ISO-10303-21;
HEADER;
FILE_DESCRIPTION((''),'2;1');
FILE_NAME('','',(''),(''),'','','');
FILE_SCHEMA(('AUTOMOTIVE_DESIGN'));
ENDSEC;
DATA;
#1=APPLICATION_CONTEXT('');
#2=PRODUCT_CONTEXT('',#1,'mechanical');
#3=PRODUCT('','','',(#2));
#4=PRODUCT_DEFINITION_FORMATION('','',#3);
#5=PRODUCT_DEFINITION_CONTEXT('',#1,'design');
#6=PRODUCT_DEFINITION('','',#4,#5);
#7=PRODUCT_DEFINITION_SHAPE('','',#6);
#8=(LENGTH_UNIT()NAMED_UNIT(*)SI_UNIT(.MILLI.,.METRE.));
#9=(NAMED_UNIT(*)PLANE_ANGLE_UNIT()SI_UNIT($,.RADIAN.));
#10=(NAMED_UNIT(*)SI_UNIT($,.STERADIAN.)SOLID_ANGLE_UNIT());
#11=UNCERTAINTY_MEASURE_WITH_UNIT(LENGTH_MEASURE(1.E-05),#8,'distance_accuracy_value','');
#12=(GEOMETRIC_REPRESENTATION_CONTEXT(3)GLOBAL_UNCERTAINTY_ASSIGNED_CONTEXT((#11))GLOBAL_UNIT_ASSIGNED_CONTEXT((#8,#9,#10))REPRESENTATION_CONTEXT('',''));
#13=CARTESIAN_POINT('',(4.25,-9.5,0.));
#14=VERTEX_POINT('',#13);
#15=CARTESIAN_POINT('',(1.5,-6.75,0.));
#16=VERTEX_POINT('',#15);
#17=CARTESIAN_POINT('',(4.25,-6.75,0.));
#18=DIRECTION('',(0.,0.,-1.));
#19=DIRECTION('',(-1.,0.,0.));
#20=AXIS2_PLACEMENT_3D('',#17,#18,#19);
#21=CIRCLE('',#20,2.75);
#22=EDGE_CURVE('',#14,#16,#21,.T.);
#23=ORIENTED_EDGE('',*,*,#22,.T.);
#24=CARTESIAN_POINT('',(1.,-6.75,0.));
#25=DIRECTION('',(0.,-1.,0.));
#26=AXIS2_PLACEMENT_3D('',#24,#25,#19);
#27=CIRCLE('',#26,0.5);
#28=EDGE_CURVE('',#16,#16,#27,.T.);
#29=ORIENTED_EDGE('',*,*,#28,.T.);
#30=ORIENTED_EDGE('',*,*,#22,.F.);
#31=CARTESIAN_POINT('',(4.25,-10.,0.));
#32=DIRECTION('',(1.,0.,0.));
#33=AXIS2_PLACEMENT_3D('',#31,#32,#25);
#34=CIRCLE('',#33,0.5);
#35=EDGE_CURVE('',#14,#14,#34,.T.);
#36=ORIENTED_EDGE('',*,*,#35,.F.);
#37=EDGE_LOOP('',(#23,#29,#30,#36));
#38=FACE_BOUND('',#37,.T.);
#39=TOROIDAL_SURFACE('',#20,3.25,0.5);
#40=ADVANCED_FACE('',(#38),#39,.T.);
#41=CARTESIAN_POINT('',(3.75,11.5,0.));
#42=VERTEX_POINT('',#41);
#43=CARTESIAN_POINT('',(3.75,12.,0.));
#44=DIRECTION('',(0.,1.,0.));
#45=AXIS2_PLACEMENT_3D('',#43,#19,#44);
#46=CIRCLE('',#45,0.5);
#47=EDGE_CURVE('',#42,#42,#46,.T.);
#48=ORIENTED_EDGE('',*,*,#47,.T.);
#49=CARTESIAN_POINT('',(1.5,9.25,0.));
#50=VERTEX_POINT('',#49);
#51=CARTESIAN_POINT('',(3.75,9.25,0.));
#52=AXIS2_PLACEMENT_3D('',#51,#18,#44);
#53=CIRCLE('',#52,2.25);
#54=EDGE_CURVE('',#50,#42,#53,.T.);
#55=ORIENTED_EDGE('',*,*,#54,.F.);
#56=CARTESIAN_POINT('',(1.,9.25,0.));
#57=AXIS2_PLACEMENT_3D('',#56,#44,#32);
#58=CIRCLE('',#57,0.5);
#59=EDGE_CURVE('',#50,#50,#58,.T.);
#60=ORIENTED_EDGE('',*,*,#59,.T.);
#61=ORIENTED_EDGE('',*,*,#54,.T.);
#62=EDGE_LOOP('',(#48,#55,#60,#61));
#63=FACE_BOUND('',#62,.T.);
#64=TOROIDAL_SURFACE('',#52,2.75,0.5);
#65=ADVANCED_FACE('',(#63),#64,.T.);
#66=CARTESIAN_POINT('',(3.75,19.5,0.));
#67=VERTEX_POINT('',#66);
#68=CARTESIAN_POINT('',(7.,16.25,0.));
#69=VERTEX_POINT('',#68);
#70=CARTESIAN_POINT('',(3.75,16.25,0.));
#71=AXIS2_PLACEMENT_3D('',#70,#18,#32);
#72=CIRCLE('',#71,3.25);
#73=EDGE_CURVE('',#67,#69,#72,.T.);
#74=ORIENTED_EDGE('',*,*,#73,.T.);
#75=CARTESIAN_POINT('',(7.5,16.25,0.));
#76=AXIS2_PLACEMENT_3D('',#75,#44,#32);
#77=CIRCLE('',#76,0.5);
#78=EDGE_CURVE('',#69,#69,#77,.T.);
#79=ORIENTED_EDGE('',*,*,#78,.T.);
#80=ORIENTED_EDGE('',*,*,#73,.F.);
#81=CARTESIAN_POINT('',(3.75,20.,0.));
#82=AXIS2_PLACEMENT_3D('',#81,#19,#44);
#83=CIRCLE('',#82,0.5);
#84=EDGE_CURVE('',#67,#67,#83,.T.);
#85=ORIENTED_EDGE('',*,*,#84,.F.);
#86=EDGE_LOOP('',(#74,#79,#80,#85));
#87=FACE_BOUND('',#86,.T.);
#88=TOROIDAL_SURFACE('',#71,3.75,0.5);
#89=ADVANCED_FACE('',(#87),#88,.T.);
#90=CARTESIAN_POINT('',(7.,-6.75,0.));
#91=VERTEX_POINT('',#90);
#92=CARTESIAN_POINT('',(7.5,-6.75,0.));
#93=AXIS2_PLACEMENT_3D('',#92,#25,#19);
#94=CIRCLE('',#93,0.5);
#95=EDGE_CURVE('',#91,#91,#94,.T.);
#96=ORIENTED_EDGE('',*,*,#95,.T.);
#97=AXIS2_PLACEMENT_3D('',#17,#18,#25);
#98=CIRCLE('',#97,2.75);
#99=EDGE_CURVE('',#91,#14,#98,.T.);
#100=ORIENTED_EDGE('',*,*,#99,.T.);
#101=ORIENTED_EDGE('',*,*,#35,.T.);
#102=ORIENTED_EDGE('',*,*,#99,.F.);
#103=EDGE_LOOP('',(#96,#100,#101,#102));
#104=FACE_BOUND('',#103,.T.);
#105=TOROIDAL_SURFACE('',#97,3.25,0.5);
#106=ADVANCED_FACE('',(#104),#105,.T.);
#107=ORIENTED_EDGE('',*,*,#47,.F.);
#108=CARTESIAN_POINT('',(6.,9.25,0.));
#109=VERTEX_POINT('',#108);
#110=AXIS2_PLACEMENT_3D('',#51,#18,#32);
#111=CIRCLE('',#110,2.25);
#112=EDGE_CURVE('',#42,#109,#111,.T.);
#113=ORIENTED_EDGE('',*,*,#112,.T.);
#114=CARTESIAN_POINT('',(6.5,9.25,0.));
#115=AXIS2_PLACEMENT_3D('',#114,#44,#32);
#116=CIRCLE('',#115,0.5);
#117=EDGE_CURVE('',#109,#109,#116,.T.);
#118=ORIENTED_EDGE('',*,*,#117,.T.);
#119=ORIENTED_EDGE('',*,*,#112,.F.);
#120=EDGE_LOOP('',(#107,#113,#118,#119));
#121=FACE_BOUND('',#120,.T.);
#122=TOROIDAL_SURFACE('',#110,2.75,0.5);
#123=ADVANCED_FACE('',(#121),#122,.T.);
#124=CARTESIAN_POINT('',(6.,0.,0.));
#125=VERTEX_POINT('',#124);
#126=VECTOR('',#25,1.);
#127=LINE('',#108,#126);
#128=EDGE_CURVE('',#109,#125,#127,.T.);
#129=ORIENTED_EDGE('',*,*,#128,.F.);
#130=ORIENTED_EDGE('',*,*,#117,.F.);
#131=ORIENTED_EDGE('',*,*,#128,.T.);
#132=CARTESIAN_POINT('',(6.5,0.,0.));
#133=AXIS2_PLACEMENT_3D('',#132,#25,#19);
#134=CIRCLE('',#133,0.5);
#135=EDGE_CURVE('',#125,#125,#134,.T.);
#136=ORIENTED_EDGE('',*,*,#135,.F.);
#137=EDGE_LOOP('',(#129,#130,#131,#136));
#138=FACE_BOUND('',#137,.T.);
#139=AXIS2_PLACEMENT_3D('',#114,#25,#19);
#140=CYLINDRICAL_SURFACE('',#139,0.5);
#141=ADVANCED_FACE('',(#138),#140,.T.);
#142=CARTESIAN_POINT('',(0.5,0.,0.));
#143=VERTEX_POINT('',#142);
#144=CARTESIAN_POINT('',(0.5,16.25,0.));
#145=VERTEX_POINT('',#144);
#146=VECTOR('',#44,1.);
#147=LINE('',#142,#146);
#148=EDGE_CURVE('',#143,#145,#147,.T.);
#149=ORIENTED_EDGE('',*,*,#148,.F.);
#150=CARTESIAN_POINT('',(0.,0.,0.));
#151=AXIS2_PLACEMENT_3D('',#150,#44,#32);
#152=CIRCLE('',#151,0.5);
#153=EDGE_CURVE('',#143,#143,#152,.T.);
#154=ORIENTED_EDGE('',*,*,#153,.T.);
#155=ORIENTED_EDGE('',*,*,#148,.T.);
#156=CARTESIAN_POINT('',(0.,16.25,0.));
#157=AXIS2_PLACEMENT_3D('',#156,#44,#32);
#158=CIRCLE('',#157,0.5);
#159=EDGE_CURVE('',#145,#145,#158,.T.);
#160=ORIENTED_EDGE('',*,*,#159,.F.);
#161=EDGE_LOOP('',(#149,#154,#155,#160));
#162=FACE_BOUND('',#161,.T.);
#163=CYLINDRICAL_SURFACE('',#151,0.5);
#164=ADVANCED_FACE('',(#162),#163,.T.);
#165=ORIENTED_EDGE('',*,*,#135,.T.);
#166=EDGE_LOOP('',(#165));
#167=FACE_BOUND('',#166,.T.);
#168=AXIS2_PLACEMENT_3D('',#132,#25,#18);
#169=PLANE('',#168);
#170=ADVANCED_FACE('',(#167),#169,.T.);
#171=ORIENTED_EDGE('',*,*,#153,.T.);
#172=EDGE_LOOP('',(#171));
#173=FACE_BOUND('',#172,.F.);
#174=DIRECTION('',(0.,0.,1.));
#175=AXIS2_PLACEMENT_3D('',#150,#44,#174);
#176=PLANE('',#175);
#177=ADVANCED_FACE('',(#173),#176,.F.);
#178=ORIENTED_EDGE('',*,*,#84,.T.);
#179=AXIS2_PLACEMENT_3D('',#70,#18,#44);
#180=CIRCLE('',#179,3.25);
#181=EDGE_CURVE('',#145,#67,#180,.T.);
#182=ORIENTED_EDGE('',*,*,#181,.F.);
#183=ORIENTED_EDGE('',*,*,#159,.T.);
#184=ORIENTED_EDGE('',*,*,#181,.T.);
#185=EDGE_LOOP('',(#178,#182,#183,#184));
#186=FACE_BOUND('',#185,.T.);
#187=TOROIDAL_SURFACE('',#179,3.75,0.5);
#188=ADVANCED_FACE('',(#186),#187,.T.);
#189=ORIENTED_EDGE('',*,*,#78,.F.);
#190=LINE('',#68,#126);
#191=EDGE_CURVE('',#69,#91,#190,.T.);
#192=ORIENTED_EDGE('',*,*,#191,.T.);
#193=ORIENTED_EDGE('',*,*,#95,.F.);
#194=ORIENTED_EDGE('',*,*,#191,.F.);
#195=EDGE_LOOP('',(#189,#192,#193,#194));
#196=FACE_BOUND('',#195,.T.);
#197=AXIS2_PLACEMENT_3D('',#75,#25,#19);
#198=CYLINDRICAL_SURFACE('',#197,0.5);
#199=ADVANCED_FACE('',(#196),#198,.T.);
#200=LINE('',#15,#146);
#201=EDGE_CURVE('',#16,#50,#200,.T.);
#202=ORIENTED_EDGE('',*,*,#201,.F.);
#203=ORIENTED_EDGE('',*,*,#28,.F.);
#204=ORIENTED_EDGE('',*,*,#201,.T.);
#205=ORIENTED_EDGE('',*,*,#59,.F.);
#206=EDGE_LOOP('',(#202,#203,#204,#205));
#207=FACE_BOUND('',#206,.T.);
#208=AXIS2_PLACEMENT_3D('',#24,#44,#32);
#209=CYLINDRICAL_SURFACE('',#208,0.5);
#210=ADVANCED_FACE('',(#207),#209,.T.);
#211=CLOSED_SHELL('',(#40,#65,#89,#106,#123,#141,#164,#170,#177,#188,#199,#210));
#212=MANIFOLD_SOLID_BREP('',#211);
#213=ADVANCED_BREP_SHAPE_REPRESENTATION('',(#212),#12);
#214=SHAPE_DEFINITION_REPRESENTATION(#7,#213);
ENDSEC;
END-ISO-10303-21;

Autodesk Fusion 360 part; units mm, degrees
sketch "Sketch1" plane through (0, 0, 0) normal (0, 0, 1) x (1, 0, 0)
  line L0 (0, 0) -> (0, 16.25)
  line L1 (7.5, 16.25) -> (7.5, -6.75)
  line L2 (1, -6.75) -> (1, 9.25)
  arc A0 (3.75, 20) -> (0, 16.25) centre (3.75, 16.25) ccw
  arc A1 (7.5, 16.25) -> (3.75, 20) centre (3.75, 16.25) ccw
  arc A2 (4.25, -10) -> (7.5, -6.75) centre (4.25, -6.75) ccw
  arc A3 (1, -6.75) -> (4.25, -10) centre (4.25, -6.75) ccw
  line L3 (6.5, 9.25) -> (6.5, 0)
  arc A4 (3.75, 12) -> (1, 9.25) centre (3.75, 9.25) ccw
  arc A5 (6.5, 9.25) -> (3.75, 12) centre (3.75, 9.25) ccw
  point P0 (0, 20)
  point P1 (7.5, 20)
  point P2 (7.5, -10)
  point P3 (1, -10)
  point P4 (1, 12)
  point P5 (6.5, 12)
  dimension "d1" = 20
  dimension "d2" = 7.5
  dimension "d4" = 30
  dimension "d5" = 6.5
  dimension "d6" = 22
  dimension "d7" = 5.5
  dimension "d8" = 3.75
  dimension "d9" = 3.25
  dimension "d10" = 12
  dimension "d11" = 2.75
sketch "Sketch4" plane through (0, 0, 0) normal (0, 1, 0) x (1, 0, 0)
  circle A0 centre (0, 0) radius 0.5
  dimension "d12" = 1
sweep "Sweep1" add profiles "Sketch4" path "Sketch1" along L3 A5 A4 L2 A3 A2 L1 A1 A0 L0 section 1
